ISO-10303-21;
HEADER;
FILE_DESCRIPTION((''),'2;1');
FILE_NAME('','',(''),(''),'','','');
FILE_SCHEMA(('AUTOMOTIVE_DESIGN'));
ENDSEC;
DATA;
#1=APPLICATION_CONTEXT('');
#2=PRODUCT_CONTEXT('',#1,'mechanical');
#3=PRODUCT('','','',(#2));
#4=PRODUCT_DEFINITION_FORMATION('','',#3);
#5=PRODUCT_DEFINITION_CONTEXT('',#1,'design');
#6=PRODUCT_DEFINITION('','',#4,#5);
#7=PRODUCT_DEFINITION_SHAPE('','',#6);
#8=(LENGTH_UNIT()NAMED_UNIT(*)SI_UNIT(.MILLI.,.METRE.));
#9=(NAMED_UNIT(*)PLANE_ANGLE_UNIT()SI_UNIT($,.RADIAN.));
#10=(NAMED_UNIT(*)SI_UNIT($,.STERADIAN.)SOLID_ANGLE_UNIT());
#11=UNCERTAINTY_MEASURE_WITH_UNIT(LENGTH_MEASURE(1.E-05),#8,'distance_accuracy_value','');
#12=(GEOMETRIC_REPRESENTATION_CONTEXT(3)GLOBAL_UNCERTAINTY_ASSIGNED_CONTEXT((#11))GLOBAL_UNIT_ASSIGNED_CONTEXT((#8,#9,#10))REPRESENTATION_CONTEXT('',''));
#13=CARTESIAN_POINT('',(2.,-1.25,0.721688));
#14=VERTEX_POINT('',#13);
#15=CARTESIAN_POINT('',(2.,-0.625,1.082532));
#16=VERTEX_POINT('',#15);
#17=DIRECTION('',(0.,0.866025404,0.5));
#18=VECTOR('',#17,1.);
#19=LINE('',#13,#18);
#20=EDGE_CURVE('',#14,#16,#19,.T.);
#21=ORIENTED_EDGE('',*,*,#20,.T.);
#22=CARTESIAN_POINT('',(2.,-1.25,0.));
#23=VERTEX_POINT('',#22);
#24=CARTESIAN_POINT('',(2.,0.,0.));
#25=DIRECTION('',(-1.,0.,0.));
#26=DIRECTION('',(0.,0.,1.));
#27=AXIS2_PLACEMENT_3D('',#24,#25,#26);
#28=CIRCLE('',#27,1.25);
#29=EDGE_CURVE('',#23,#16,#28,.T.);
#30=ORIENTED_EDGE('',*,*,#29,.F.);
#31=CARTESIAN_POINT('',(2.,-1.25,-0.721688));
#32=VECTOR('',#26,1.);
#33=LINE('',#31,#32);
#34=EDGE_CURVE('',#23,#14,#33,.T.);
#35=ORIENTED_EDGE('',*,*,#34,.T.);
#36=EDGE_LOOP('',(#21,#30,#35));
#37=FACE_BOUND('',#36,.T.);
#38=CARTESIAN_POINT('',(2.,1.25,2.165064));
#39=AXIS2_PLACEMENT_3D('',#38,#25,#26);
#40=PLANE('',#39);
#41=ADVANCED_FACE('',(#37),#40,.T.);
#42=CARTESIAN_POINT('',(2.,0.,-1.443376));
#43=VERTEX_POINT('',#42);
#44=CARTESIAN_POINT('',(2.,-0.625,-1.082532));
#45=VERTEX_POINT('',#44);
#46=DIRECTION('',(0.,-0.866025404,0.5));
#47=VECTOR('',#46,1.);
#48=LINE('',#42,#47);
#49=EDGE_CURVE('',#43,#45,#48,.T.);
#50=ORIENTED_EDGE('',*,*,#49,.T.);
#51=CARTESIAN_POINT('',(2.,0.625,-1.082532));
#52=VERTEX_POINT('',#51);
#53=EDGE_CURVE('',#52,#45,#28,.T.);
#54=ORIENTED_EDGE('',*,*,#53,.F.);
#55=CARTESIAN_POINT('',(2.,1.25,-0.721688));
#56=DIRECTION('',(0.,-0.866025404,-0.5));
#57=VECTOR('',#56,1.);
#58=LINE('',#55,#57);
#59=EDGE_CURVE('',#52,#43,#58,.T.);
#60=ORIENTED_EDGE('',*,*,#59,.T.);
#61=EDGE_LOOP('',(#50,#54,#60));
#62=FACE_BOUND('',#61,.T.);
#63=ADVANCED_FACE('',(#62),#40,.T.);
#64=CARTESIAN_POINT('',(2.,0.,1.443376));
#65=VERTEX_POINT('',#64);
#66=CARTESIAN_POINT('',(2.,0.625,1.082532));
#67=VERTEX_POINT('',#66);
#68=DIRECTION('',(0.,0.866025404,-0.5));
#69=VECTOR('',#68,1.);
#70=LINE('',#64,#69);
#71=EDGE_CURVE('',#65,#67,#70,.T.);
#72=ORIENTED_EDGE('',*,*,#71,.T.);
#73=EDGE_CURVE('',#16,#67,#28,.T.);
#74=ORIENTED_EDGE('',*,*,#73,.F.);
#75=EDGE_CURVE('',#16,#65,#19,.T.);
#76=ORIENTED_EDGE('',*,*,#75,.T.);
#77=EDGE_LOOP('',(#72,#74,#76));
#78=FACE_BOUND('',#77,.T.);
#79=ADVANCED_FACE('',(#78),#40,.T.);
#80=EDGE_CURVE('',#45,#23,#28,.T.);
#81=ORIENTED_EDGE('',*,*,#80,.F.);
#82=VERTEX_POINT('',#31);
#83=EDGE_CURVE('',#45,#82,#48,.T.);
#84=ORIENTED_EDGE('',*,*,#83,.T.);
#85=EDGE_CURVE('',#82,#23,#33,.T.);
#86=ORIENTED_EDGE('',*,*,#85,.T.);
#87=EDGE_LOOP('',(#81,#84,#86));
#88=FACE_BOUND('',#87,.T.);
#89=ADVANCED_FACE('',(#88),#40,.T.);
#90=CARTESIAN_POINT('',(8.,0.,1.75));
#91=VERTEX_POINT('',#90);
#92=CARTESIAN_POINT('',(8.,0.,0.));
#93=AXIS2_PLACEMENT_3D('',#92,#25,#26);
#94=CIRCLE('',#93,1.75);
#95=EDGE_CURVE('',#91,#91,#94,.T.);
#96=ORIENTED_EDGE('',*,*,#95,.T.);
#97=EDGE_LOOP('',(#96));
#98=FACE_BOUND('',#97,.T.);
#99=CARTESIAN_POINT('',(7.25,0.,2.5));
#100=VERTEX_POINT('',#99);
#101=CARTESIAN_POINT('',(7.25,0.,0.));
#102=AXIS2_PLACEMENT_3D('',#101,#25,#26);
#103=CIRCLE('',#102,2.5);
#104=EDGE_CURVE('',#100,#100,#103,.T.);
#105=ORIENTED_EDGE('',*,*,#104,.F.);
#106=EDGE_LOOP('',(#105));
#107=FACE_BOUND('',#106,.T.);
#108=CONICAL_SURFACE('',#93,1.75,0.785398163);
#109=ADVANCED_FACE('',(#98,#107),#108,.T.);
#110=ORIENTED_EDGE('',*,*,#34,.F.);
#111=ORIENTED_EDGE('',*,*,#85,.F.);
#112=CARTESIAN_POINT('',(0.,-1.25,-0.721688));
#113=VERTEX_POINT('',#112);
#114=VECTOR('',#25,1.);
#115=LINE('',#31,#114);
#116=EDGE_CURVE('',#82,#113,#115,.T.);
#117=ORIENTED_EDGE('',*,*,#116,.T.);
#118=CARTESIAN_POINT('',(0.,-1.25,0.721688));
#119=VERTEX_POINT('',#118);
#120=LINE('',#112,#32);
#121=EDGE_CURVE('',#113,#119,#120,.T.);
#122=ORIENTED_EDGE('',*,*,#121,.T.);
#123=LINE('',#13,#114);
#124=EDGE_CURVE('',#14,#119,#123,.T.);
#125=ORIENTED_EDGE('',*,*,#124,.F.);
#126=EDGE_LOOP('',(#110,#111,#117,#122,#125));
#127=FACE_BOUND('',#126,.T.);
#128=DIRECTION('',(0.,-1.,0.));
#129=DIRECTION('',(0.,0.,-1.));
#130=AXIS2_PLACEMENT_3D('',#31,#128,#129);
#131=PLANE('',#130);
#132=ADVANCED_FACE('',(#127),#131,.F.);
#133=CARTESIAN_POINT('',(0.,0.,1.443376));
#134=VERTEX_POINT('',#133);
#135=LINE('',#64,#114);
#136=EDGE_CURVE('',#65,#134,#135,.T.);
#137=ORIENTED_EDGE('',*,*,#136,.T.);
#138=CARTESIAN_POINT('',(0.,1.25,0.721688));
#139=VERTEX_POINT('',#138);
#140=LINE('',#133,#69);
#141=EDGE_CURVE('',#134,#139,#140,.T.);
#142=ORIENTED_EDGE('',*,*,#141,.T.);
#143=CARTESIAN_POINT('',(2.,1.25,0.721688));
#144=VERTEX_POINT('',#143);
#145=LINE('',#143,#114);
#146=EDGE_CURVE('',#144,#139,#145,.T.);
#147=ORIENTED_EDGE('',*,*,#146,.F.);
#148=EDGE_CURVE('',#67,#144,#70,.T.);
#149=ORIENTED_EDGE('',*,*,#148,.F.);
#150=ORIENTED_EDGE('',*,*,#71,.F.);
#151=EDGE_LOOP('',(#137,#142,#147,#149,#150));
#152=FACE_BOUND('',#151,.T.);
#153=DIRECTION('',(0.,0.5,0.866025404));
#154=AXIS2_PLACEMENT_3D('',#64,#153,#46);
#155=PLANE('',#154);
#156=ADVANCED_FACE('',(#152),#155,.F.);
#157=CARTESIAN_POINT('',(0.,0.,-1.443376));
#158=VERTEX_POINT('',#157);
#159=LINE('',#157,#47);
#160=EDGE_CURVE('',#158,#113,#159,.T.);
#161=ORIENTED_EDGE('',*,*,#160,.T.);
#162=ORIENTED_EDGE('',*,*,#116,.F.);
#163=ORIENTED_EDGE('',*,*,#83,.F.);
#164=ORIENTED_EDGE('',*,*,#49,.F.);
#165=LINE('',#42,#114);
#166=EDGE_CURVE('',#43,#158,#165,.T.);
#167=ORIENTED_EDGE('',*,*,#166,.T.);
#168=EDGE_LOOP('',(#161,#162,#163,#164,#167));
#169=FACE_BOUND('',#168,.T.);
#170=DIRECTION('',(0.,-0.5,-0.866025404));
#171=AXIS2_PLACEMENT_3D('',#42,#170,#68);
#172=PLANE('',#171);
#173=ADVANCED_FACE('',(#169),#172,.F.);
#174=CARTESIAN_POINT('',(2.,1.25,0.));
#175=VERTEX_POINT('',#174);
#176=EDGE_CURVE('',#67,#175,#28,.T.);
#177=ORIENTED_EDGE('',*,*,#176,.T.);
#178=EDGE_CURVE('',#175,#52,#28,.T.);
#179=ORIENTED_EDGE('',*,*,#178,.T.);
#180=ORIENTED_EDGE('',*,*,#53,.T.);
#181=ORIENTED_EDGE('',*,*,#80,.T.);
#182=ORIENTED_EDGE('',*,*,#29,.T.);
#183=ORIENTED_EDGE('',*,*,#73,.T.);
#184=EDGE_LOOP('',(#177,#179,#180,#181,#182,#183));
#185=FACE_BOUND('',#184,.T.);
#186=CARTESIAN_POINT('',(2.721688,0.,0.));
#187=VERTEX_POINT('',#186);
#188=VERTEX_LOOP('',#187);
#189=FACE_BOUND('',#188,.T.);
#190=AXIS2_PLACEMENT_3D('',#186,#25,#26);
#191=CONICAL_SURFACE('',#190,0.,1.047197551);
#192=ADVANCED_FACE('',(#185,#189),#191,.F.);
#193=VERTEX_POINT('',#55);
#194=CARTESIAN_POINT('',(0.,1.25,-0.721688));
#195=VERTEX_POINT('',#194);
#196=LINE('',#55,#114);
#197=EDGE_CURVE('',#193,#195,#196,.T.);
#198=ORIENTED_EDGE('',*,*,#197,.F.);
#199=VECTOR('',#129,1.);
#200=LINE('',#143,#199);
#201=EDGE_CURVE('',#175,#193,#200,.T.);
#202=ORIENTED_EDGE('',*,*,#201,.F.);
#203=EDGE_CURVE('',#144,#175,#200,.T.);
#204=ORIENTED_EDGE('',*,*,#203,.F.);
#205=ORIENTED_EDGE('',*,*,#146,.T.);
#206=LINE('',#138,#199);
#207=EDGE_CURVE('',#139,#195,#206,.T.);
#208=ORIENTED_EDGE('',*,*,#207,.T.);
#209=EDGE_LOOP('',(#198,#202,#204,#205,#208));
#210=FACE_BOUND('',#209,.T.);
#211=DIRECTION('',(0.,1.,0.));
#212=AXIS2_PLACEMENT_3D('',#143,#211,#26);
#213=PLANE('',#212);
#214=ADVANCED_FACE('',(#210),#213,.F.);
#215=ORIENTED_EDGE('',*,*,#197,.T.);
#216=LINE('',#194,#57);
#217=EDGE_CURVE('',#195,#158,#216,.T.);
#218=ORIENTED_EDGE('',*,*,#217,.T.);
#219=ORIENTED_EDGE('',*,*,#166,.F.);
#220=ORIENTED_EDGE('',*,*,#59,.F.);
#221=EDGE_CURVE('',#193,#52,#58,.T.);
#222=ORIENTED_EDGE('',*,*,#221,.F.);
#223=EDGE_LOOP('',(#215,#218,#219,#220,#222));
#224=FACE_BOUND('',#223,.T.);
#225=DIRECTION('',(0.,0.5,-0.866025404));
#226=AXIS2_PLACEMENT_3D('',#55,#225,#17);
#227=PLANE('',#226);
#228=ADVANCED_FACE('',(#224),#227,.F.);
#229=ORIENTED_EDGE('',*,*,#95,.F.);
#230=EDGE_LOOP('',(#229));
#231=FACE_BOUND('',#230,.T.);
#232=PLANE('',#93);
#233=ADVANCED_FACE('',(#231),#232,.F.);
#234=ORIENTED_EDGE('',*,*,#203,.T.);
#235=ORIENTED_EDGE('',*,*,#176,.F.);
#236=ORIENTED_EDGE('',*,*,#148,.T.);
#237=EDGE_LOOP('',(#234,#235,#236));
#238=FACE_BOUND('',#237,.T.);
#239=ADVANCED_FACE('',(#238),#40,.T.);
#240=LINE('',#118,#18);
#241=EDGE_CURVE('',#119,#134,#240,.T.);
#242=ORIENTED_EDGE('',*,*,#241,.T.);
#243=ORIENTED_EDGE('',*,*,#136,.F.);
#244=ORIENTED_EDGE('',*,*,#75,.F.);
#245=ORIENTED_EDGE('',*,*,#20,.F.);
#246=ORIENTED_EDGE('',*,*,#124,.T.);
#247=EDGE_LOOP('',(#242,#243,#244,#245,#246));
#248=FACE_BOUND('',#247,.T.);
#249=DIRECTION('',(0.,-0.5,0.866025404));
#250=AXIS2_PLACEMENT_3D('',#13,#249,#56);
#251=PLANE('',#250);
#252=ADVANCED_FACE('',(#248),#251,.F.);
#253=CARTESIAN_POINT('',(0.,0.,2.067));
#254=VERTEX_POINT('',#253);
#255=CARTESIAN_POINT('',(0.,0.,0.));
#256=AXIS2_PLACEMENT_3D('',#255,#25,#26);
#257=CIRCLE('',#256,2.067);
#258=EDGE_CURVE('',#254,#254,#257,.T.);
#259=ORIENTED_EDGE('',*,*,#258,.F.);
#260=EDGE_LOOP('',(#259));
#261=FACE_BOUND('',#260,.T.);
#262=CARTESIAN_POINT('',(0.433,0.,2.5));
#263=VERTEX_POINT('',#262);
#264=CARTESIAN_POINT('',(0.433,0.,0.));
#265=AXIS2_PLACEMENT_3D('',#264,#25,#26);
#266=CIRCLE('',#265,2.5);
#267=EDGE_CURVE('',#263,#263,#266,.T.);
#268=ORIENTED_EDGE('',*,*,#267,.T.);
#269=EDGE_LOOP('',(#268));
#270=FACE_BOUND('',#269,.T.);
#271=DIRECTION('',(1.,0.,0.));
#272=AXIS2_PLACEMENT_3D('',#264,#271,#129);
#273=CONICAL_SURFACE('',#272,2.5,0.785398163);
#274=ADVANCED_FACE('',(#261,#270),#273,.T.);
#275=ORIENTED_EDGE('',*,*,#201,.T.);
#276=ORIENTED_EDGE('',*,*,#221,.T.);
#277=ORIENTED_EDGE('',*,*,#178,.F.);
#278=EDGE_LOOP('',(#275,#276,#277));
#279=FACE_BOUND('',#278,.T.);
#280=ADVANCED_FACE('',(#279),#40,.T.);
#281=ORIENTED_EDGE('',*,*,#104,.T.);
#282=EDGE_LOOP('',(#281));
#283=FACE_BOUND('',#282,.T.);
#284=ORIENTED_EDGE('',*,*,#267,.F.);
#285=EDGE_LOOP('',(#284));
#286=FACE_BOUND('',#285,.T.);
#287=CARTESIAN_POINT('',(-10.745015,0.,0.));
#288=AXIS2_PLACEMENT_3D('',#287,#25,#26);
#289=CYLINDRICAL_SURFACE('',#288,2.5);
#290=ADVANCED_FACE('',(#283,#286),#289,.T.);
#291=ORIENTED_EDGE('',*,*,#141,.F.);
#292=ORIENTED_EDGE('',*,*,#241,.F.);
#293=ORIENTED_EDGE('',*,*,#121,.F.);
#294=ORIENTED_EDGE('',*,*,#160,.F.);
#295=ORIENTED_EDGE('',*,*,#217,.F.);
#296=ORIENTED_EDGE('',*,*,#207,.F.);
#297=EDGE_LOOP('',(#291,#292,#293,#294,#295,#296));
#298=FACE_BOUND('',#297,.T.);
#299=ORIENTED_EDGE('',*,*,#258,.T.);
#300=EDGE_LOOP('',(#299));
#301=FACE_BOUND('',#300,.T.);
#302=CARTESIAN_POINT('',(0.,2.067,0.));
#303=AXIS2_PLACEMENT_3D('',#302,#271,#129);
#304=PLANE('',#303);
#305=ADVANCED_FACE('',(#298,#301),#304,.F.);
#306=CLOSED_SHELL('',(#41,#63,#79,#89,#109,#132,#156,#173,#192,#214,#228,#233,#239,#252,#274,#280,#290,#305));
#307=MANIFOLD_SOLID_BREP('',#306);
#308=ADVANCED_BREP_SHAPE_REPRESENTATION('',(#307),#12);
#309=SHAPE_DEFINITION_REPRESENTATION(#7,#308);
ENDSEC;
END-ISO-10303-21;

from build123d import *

# Parameters (mm, degrees)
HEXAGONSOCKET_DEPTH = 2


with BuildPart() as part:
    # Sketch1 → Base (revolve)
    with BuildSketch(Plane.XY):
        Polygon((0, 0), (8, 0), (8, 1.75), (7.25, 2.5), (0.433, 2.5), (0, 2.067), align=None)
    revolve(axis=Axis((-10.745014543, 0, 0), (1, 0, 0)))

    # Sketch2 → HexagonSocket (cut)
    with BuildSketch(Plane(origin=(0, -0.021932325, 0.010138848), x_dir=(0, 0, 1), z_dir=(-1, 0, 0))):
        Polygon((1.433236825, 0.021932325), (0.711548988, 1.271932325), (-0.731826685, 1.271932325), (-1.453514521, 0.021932325), (-0.731826685, -1.228067675), (0.711548988, -1.228067675), align=None)
    extrude(amount=-HEXAGONSOCKET_DEPTH, mode=Mode.SUBTRACT)

    # Sketch3 → Cut-Revolve1 (revolve, cut)
    with BuildSketch(Plane.XY):
        Polygon((2, 1.25), (2.721687837, 0), (2, 0), align=None)
    revolve(axis=Axis((-3.144113667, 0, 0), (1, 0, 0)), mode=Mode.SUBTRACT)


solid = part.part
